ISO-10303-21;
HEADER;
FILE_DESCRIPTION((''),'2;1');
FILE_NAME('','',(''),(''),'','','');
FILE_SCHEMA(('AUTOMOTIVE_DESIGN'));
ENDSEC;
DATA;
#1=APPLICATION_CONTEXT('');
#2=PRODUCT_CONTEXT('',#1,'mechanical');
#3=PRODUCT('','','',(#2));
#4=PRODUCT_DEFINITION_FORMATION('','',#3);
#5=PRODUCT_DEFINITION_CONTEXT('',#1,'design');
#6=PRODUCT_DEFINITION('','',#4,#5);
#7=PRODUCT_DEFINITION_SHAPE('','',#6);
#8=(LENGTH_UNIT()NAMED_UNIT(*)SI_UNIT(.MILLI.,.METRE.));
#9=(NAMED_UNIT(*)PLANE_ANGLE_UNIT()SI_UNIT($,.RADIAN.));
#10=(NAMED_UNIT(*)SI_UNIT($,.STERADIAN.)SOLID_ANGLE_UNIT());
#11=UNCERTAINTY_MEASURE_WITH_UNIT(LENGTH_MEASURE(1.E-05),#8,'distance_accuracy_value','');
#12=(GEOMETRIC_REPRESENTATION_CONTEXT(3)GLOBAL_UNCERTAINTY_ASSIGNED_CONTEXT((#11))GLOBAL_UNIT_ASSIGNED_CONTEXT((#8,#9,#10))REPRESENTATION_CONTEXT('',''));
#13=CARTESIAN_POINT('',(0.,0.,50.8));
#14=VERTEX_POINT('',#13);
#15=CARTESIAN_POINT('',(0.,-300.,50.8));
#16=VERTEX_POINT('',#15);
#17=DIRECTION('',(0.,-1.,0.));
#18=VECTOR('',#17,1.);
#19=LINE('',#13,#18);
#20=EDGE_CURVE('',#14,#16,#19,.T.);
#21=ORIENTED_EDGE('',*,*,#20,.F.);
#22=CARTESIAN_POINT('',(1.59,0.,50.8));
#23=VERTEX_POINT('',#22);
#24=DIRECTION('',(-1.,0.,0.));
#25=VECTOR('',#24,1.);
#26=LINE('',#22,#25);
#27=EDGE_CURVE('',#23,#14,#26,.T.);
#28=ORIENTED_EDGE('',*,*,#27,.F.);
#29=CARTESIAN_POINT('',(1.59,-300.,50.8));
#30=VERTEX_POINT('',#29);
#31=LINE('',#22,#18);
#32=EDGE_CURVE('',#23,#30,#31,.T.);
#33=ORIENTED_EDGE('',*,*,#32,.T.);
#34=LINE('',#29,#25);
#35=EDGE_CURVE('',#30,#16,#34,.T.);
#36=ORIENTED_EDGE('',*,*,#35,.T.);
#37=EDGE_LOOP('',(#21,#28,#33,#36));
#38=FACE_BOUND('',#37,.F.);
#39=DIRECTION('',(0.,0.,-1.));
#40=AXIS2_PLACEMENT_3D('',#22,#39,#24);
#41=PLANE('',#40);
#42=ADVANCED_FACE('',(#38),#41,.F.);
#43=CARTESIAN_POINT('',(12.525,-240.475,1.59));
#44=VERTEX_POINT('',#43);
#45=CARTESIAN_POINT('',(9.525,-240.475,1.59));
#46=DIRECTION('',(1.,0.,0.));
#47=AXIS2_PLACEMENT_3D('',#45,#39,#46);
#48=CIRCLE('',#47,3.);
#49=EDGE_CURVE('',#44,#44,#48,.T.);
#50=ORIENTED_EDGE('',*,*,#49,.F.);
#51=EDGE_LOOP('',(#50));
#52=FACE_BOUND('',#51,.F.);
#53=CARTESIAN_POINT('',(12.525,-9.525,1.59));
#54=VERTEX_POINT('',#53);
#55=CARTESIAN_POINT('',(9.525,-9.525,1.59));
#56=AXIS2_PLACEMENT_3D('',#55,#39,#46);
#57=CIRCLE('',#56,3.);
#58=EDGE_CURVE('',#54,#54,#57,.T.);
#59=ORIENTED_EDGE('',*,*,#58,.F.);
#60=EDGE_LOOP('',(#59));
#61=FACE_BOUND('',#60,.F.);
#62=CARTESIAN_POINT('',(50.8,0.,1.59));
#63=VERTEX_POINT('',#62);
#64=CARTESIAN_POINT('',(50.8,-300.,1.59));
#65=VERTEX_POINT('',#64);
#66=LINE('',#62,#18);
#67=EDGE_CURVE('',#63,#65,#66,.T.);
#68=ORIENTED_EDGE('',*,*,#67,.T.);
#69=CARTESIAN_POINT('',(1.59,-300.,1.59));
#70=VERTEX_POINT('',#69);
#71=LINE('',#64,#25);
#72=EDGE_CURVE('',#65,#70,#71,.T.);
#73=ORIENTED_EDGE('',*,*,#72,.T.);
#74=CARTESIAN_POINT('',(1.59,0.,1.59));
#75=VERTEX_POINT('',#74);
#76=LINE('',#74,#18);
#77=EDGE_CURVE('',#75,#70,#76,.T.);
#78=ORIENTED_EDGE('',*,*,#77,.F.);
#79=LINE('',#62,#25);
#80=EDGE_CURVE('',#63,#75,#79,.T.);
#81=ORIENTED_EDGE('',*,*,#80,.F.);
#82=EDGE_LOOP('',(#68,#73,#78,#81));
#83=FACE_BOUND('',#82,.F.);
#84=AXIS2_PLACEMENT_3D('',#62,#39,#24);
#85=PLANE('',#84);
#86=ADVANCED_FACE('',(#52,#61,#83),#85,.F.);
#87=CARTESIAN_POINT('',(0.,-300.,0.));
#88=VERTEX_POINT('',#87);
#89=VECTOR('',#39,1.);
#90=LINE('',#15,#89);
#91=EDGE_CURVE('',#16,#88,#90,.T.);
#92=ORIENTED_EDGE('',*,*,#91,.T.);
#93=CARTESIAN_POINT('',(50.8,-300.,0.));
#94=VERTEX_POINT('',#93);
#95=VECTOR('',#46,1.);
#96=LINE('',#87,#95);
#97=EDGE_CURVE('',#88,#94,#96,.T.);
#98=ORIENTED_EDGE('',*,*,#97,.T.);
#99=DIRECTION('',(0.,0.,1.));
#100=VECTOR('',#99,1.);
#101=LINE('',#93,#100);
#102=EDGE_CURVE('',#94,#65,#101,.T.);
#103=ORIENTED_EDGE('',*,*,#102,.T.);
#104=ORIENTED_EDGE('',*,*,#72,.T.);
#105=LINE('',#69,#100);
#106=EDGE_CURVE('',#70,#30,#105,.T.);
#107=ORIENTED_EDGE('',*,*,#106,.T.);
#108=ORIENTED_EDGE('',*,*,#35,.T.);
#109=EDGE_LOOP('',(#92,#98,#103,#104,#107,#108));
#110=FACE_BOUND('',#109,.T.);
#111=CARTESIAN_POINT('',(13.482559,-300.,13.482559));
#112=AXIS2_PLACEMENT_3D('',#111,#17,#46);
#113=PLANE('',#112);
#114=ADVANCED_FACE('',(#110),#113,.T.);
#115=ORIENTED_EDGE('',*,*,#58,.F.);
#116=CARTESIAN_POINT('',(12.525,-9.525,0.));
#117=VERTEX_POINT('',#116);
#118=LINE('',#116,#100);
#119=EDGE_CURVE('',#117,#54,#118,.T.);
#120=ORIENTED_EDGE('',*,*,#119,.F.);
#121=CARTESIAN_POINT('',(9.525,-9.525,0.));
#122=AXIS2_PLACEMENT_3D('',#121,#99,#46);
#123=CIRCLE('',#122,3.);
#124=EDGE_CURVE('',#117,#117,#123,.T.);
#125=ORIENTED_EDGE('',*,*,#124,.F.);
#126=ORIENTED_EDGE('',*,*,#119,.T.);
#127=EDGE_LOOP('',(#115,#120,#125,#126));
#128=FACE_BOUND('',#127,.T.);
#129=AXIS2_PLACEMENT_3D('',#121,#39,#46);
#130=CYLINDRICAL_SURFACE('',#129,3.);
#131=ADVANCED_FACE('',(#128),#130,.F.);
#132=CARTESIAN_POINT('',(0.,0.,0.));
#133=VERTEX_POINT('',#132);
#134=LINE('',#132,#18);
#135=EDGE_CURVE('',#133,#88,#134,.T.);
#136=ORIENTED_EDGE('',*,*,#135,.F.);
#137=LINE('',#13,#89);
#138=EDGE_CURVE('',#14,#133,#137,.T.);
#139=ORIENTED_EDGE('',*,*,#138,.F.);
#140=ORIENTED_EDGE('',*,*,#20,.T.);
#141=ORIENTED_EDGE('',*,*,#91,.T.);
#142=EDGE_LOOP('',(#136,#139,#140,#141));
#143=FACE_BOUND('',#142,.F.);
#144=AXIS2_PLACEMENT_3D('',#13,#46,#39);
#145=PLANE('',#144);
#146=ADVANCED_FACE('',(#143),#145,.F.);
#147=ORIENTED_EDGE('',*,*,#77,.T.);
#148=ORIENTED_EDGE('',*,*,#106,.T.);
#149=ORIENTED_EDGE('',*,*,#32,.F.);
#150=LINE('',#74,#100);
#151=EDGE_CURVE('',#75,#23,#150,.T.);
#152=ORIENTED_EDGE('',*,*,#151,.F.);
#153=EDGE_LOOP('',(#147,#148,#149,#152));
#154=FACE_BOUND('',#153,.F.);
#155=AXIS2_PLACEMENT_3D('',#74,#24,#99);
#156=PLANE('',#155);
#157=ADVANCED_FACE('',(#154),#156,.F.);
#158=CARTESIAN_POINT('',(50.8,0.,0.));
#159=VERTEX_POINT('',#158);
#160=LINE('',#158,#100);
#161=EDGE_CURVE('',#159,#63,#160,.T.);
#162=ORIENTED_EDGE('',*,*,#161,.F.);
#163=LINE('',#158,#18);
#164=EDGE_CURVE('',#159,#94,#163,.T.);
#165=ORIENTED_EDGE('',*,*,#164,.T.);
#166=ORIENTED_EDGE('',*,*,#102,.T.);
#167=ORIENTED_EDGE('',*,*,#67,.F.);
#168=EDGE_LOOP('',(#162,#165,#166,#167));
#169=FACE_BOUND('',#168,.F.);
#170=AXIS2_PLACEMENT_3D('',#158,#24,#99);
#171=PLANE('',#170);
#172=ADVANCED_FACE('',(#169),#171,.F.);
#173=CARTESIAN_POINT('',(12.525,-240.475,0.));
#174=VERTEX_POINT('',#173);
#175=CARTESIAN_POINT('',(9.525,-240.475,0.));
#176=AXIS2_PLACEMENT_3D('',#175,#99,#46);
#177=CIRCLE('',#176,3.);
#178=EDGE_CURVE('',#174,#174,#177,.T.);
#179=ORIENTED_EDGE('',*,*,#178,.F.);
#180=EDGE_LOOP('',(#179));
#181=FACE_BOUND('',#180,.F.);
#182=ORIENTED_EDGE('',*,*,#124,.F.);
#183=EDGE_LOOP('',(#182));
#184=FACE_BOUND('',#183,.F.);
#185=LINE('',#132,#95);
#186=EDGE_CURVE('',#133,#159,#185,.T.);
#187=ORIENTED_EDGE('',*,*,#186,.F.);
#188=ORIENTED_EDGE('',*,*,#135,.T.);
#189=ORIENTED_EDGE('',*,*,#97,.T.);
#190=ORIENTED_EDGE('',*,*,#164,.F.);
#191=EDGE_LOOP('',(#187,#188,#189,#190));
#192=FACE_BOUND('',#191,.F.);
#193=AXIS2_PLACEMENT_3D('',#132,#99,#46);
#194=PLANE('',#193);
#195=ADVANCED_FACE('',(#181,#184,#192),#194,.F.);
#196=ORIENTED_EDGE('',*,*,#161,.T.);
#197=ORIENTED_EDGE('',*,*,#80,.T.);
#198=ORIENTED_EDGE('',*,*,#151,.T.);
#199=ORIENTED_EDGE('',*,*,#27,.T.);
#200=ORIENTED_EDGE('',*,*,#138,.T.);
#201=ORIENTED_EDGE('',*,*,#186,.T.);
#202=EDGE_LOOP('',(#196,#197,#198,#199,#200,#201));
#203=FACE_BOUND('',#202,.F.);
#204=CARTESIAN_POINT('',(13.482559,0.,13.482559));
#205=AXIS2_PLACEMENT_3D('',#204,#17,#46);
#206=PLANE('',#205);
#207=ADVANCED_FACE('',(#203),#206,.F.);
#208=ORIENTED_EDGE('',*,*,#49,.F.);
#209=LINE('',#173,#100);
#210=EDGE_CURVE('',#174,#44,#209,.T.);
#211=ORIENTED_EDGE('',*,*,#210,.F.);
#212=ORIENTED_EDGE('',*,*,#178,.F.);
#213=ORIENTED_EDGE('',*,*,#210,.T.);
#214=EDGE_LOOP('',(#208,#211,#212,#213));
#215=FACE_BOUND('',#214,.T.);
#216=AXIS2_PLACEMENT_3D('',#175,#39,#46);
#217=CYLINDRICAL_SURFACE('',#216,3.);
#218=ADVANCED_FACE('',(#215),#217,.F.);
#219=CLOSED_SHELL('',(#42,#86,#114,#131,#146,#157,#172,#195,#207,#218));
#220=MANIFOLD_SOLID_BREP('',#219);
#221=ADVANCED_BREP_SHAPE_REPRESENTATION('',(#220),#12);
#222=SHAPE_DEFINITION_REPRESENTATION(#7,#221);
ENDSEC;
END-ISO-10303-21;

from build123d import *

# Parameters (mm, degrees)
F1_DEPTH = 300
F2_R     = 3
F3_DEPTH = 50.801


with BuildPart() as f1:
    # F0 (on Front) → F1 (new body)
    with BuildSketch(Plane.XZ):
        Polygon((0, 50.8), (0, 0), (50.8, 0), (50.8, 1.59), (1.59, 1.59), (1.59, 50.8), align=None)
    extrude(amount=F1_DEPTH)

    # F2 (on Top) → F3 (cut, through all)
    with BuildSketch(Plane.XY):
        with Locations((9.525, -9.525)):
            Circle(F2_R)
        with Locations((9.525, -240.475)):
            Circle(F2_R)
    extrude(amount=F3_DEPTH, mode=Mode.SUBTRACT)


solid = f1.part
